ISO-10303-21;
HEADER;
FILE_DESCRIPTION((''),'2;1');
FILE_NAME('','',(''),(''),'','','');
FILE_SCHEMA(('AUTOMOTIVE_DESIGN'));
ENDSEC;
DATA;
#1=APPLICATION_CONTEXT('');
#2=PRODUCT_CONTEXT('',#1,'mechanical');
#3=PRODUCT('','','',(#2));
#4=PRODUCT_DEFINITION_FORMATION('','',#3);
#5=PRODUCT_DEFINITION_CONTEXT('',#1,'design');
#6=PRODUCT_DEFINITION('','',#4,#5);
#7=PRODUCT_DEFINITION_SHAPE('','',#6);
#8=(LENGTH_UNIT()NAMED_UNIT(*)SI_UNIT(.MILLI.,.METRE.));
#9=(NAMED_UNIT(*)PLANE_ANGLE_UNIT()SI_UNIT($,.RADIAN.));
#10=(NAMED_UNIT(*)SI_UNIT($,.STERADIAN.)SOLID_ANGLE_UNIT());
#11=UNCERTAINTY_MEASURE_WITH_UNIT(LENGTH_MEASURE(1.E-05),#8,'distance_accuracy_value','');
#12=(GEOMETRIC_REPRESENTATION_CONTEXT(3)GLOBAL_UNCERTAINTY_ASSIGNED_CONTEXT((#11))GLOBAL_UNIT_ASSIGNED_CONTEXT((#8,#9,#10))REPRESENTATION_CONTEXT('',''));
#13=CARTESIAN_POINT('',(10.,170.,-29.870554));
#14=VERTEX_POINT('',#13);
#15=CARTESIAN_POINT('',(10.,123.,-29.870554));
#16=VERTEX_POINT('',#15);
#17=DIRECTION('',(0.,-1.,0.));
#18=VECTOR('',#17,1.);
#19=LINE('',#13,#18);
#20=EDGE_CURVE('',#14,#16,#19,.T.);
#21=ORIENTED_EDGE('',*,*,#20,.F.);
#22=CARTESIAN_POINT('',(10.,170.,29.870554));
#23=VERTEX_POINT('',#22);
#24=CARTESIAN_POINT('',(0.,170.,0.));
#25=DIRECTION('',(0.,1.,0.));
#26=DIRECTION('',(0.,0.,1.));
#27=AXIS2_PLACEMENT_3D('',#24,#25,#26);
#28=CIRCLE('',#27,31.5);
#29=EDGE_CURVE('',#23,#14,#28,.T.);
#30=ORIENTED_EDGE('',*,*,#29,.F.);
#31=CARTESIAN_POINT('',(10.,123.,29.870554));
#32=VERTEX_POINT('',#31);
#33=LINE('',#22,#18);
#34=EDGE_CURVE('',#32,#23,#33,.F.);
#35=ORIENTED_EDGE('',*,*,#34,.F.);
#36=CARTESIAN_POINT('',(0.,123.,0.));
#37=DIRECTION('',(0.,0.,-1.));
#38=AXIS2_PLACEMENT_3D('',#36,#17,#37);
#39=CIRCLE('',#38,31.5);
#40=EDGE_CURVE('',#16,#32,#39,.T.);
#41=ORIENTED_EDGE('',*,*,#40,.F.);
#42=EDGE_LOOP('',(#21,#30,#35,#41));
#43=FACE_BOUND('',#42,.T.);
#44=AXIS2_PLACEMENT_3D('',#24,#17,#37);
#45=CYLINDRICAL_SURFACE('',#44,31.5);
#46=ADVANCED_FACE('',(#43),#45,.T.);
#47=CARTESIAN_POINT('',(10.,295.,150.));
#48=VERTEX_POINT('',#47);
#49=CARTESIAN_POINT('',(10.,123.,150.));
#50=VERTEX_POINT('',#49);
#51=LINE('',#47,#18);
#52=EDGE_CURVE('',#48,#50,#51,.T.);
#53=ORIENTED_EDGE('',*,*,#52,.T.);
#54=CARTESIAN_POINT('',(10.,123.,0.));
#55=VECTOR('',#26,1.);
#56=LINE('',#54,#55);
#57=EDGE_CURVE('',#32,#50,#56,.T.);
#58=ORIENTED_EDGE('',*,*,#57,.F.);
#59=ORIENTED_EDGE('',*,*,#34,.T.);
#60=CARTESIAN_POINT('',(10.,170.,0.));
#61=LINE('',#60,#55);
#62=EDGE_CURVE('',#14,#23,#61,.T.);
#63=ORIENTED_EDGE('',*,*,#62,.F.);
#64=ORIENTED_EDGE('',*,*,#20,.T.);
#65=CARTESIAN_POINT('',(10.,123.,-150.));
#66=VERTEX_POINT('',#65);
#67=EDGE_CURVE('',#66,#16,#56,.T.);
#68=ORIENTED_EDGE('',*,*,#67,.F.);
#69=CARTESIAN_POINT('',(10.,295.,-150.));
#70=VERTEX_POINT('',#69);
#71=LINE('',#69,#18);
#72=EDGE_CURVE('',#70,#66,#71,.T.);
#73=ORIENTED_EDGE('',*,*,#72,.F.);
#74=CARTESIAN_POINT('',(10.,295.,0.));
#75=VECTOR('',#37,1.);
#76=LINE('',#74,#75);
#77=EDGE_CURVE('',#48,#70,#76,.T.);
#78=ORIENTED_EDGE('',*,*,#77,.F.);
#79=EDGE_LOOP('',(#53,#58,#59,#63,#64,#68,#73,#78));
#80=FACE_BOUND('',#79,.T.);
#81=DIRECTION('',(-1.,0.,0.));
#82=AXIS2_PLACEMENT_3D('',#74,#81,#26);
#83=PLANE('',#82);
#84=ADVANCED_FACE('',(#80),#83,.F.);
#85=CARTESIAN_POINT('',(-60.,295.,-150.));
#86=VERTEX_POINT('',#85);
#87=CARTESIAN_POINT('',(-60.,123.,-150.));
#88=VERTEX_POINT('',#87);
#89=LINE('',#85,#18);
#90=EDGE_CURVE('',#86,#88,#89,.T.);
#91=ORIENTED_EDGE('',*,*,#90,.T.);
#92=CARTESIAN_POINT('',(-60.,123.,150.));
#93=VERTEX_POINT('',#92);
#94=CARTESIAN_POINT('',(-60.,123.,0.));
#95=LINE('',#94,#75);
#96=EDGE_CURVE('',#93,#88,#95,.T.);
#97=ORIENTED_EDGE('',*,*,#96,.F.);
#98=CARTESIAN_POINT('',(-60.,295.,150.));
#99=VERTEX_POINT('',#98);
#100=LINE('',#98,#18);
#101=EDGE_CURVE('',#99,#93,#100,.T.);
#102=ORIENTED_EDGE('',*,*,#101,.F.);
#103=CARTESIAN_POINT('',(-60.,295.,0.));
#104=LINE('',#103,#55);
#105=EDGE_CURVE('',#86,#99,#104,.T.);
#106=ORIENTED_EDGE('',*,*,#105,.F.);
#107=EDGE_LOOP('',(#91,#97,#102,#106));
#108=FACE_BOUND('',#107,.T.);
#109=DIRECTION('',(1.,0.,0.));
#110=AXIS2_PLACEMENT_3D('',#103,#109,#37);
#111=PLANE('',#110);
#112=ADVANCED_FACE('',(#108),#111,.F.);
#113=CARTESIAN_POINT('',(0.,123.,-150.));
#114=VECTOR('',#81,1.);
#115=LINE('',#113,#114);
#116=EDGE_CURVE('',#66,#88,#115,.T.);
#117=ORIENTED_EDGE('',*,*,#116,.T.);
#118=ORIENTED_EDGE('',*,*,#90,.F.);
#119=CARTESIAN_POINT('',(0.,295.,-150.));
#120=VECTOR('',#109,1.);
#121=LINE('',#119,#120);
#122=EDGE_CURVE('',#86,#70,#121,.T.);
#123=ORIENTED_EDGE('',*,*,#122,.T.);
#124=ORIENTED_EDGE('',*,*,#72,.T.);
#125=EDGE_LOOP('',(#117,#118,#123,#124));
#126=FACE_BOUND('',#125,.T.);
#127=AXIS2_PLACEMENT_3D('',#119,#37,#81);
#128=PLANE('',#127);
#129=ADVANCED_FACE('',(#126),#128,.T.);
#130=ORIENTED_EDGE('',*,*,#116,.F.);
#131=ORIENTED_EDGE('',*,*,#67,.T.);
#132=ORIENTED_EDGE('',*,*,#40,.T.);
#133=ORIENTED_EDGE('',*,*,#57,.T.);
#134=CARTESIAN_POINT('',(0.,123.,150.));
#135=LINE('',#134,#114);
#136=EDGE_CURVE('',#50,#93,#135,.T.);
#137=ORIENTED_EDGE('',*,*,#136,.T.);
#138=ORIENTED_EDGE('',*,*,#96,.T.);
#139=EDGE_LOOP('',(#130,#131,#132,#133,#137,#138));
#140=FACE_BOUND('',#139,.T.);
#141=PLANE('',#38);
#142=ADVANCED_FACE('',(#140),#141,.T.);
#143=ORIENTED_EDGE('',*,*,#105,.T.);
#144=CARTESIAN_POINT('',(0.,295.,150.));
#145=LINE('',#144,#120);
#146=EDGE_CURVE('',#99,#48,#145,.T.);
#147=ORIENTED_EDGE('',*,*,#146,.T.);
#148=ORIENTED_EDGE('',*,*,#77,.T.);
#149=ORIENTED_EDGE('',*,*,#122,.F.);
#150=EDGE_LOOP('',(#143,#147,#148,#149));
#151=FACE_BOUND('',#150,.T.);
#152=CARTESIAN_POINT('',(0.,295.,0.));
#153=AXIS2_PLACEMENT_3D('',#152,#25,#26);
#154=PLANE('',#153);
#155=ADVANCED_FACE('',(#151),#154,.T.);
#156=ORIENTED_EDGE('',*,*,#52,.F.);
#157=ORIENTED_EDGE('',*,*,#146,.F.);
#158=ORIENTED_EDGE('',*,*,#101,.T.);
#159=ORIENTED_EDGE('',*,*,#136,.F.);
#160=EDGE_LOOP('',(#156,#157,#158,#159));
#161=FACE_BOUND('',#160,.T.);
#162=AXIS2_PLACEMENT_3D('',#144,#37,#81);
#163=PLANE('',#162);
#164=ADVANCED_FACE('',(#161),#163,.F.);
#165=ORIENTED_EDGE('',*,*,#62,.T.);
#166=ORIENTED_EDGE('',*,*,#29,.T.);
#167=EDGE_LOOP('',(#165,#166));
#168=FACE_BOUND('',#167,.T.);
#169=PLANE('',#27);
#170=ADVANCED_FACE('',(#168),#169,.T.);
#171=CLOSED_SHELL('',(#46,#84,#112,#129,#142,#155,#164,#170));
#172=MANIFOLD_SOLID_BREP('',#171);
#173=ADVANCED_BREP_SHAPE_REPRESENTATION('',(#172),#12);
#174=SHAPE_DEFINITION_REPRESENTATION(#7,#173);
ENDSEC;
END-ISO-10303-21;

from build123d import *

# Parameters (mm, degrees)
SKETCH1_R                = 31.5
BOSS_EXTRUDE1_DEPTH      = 170
BOSS_EXTRUDE2_DEPTH      = 125
BOSS_EXTRUDE2_DEPTH_BACK = 130
SKETCH2_W                = 70
SKETCH2_H                = 300
SKETCH2_2_W              = 70
SKETCH2_2_H              = 300
BOSS_EXTRUDE3_DEPTH      = 10
SKETCH4_W                = 315.689390272
SKETCH4_H                = 433.788608214
CUT_EXTRUDE2_DEPTH       = 123


with BuildPart() as part:
    # Sketch1 → Boss-Extrude1 (new body)
    with BuildSketch(Plane(origin=(0, 0, 0), x_dir=(1, 0, 0), z_dir=(0, 1, 0))):
        Circle(SKETCH1_R)
    extrude(amount=BOSS_EXTRUDE1_DEPTH)

    # Sketch2 → Boss-Extrude2 (add, two sides: drawn at the far end of the back side and taken through both)
    with BuildSketch(Plane(origin=(0, 170, 0), x_dir=(1, 0, 0), z_dir=(0, 1, 0)).offset(-BOSS_EXTRUDE2_DEPTH_BACK)):
        with Locations((-25, 0)):
            Rectangle(SKETCH2_W, SKETCH2_H)
    extrude(amount=BOSS_EXTRUDE2_DEPTH + BOSS_EXTRUDE2_DEPTH_BACK)

    # Sketch2<2> → Boss-Extrude3 (add)
    with BuildSketch(Plane(origin=(0, 170, 0), x_dir=(1, 0, 0), z_dir=(0, 1, 0))):
        with Locations((-25, 0)):
            Rectangle(SKETCH2_2_W, SKETCH2_2_H)
    extrude(amount=BOSS_EXTRUDE3_DEPTH)

    # Sketch4 → Cut-Extrude2 (cut)
    with BuildSketch(Plane.XZ):
        Rectangle(SKETCH4_W, SKETCH4_H)
    extrude(amount=-CUT_EXTRUDE2_DEPTH, mode=Mode.SUBTRACT)


solid = part.part
